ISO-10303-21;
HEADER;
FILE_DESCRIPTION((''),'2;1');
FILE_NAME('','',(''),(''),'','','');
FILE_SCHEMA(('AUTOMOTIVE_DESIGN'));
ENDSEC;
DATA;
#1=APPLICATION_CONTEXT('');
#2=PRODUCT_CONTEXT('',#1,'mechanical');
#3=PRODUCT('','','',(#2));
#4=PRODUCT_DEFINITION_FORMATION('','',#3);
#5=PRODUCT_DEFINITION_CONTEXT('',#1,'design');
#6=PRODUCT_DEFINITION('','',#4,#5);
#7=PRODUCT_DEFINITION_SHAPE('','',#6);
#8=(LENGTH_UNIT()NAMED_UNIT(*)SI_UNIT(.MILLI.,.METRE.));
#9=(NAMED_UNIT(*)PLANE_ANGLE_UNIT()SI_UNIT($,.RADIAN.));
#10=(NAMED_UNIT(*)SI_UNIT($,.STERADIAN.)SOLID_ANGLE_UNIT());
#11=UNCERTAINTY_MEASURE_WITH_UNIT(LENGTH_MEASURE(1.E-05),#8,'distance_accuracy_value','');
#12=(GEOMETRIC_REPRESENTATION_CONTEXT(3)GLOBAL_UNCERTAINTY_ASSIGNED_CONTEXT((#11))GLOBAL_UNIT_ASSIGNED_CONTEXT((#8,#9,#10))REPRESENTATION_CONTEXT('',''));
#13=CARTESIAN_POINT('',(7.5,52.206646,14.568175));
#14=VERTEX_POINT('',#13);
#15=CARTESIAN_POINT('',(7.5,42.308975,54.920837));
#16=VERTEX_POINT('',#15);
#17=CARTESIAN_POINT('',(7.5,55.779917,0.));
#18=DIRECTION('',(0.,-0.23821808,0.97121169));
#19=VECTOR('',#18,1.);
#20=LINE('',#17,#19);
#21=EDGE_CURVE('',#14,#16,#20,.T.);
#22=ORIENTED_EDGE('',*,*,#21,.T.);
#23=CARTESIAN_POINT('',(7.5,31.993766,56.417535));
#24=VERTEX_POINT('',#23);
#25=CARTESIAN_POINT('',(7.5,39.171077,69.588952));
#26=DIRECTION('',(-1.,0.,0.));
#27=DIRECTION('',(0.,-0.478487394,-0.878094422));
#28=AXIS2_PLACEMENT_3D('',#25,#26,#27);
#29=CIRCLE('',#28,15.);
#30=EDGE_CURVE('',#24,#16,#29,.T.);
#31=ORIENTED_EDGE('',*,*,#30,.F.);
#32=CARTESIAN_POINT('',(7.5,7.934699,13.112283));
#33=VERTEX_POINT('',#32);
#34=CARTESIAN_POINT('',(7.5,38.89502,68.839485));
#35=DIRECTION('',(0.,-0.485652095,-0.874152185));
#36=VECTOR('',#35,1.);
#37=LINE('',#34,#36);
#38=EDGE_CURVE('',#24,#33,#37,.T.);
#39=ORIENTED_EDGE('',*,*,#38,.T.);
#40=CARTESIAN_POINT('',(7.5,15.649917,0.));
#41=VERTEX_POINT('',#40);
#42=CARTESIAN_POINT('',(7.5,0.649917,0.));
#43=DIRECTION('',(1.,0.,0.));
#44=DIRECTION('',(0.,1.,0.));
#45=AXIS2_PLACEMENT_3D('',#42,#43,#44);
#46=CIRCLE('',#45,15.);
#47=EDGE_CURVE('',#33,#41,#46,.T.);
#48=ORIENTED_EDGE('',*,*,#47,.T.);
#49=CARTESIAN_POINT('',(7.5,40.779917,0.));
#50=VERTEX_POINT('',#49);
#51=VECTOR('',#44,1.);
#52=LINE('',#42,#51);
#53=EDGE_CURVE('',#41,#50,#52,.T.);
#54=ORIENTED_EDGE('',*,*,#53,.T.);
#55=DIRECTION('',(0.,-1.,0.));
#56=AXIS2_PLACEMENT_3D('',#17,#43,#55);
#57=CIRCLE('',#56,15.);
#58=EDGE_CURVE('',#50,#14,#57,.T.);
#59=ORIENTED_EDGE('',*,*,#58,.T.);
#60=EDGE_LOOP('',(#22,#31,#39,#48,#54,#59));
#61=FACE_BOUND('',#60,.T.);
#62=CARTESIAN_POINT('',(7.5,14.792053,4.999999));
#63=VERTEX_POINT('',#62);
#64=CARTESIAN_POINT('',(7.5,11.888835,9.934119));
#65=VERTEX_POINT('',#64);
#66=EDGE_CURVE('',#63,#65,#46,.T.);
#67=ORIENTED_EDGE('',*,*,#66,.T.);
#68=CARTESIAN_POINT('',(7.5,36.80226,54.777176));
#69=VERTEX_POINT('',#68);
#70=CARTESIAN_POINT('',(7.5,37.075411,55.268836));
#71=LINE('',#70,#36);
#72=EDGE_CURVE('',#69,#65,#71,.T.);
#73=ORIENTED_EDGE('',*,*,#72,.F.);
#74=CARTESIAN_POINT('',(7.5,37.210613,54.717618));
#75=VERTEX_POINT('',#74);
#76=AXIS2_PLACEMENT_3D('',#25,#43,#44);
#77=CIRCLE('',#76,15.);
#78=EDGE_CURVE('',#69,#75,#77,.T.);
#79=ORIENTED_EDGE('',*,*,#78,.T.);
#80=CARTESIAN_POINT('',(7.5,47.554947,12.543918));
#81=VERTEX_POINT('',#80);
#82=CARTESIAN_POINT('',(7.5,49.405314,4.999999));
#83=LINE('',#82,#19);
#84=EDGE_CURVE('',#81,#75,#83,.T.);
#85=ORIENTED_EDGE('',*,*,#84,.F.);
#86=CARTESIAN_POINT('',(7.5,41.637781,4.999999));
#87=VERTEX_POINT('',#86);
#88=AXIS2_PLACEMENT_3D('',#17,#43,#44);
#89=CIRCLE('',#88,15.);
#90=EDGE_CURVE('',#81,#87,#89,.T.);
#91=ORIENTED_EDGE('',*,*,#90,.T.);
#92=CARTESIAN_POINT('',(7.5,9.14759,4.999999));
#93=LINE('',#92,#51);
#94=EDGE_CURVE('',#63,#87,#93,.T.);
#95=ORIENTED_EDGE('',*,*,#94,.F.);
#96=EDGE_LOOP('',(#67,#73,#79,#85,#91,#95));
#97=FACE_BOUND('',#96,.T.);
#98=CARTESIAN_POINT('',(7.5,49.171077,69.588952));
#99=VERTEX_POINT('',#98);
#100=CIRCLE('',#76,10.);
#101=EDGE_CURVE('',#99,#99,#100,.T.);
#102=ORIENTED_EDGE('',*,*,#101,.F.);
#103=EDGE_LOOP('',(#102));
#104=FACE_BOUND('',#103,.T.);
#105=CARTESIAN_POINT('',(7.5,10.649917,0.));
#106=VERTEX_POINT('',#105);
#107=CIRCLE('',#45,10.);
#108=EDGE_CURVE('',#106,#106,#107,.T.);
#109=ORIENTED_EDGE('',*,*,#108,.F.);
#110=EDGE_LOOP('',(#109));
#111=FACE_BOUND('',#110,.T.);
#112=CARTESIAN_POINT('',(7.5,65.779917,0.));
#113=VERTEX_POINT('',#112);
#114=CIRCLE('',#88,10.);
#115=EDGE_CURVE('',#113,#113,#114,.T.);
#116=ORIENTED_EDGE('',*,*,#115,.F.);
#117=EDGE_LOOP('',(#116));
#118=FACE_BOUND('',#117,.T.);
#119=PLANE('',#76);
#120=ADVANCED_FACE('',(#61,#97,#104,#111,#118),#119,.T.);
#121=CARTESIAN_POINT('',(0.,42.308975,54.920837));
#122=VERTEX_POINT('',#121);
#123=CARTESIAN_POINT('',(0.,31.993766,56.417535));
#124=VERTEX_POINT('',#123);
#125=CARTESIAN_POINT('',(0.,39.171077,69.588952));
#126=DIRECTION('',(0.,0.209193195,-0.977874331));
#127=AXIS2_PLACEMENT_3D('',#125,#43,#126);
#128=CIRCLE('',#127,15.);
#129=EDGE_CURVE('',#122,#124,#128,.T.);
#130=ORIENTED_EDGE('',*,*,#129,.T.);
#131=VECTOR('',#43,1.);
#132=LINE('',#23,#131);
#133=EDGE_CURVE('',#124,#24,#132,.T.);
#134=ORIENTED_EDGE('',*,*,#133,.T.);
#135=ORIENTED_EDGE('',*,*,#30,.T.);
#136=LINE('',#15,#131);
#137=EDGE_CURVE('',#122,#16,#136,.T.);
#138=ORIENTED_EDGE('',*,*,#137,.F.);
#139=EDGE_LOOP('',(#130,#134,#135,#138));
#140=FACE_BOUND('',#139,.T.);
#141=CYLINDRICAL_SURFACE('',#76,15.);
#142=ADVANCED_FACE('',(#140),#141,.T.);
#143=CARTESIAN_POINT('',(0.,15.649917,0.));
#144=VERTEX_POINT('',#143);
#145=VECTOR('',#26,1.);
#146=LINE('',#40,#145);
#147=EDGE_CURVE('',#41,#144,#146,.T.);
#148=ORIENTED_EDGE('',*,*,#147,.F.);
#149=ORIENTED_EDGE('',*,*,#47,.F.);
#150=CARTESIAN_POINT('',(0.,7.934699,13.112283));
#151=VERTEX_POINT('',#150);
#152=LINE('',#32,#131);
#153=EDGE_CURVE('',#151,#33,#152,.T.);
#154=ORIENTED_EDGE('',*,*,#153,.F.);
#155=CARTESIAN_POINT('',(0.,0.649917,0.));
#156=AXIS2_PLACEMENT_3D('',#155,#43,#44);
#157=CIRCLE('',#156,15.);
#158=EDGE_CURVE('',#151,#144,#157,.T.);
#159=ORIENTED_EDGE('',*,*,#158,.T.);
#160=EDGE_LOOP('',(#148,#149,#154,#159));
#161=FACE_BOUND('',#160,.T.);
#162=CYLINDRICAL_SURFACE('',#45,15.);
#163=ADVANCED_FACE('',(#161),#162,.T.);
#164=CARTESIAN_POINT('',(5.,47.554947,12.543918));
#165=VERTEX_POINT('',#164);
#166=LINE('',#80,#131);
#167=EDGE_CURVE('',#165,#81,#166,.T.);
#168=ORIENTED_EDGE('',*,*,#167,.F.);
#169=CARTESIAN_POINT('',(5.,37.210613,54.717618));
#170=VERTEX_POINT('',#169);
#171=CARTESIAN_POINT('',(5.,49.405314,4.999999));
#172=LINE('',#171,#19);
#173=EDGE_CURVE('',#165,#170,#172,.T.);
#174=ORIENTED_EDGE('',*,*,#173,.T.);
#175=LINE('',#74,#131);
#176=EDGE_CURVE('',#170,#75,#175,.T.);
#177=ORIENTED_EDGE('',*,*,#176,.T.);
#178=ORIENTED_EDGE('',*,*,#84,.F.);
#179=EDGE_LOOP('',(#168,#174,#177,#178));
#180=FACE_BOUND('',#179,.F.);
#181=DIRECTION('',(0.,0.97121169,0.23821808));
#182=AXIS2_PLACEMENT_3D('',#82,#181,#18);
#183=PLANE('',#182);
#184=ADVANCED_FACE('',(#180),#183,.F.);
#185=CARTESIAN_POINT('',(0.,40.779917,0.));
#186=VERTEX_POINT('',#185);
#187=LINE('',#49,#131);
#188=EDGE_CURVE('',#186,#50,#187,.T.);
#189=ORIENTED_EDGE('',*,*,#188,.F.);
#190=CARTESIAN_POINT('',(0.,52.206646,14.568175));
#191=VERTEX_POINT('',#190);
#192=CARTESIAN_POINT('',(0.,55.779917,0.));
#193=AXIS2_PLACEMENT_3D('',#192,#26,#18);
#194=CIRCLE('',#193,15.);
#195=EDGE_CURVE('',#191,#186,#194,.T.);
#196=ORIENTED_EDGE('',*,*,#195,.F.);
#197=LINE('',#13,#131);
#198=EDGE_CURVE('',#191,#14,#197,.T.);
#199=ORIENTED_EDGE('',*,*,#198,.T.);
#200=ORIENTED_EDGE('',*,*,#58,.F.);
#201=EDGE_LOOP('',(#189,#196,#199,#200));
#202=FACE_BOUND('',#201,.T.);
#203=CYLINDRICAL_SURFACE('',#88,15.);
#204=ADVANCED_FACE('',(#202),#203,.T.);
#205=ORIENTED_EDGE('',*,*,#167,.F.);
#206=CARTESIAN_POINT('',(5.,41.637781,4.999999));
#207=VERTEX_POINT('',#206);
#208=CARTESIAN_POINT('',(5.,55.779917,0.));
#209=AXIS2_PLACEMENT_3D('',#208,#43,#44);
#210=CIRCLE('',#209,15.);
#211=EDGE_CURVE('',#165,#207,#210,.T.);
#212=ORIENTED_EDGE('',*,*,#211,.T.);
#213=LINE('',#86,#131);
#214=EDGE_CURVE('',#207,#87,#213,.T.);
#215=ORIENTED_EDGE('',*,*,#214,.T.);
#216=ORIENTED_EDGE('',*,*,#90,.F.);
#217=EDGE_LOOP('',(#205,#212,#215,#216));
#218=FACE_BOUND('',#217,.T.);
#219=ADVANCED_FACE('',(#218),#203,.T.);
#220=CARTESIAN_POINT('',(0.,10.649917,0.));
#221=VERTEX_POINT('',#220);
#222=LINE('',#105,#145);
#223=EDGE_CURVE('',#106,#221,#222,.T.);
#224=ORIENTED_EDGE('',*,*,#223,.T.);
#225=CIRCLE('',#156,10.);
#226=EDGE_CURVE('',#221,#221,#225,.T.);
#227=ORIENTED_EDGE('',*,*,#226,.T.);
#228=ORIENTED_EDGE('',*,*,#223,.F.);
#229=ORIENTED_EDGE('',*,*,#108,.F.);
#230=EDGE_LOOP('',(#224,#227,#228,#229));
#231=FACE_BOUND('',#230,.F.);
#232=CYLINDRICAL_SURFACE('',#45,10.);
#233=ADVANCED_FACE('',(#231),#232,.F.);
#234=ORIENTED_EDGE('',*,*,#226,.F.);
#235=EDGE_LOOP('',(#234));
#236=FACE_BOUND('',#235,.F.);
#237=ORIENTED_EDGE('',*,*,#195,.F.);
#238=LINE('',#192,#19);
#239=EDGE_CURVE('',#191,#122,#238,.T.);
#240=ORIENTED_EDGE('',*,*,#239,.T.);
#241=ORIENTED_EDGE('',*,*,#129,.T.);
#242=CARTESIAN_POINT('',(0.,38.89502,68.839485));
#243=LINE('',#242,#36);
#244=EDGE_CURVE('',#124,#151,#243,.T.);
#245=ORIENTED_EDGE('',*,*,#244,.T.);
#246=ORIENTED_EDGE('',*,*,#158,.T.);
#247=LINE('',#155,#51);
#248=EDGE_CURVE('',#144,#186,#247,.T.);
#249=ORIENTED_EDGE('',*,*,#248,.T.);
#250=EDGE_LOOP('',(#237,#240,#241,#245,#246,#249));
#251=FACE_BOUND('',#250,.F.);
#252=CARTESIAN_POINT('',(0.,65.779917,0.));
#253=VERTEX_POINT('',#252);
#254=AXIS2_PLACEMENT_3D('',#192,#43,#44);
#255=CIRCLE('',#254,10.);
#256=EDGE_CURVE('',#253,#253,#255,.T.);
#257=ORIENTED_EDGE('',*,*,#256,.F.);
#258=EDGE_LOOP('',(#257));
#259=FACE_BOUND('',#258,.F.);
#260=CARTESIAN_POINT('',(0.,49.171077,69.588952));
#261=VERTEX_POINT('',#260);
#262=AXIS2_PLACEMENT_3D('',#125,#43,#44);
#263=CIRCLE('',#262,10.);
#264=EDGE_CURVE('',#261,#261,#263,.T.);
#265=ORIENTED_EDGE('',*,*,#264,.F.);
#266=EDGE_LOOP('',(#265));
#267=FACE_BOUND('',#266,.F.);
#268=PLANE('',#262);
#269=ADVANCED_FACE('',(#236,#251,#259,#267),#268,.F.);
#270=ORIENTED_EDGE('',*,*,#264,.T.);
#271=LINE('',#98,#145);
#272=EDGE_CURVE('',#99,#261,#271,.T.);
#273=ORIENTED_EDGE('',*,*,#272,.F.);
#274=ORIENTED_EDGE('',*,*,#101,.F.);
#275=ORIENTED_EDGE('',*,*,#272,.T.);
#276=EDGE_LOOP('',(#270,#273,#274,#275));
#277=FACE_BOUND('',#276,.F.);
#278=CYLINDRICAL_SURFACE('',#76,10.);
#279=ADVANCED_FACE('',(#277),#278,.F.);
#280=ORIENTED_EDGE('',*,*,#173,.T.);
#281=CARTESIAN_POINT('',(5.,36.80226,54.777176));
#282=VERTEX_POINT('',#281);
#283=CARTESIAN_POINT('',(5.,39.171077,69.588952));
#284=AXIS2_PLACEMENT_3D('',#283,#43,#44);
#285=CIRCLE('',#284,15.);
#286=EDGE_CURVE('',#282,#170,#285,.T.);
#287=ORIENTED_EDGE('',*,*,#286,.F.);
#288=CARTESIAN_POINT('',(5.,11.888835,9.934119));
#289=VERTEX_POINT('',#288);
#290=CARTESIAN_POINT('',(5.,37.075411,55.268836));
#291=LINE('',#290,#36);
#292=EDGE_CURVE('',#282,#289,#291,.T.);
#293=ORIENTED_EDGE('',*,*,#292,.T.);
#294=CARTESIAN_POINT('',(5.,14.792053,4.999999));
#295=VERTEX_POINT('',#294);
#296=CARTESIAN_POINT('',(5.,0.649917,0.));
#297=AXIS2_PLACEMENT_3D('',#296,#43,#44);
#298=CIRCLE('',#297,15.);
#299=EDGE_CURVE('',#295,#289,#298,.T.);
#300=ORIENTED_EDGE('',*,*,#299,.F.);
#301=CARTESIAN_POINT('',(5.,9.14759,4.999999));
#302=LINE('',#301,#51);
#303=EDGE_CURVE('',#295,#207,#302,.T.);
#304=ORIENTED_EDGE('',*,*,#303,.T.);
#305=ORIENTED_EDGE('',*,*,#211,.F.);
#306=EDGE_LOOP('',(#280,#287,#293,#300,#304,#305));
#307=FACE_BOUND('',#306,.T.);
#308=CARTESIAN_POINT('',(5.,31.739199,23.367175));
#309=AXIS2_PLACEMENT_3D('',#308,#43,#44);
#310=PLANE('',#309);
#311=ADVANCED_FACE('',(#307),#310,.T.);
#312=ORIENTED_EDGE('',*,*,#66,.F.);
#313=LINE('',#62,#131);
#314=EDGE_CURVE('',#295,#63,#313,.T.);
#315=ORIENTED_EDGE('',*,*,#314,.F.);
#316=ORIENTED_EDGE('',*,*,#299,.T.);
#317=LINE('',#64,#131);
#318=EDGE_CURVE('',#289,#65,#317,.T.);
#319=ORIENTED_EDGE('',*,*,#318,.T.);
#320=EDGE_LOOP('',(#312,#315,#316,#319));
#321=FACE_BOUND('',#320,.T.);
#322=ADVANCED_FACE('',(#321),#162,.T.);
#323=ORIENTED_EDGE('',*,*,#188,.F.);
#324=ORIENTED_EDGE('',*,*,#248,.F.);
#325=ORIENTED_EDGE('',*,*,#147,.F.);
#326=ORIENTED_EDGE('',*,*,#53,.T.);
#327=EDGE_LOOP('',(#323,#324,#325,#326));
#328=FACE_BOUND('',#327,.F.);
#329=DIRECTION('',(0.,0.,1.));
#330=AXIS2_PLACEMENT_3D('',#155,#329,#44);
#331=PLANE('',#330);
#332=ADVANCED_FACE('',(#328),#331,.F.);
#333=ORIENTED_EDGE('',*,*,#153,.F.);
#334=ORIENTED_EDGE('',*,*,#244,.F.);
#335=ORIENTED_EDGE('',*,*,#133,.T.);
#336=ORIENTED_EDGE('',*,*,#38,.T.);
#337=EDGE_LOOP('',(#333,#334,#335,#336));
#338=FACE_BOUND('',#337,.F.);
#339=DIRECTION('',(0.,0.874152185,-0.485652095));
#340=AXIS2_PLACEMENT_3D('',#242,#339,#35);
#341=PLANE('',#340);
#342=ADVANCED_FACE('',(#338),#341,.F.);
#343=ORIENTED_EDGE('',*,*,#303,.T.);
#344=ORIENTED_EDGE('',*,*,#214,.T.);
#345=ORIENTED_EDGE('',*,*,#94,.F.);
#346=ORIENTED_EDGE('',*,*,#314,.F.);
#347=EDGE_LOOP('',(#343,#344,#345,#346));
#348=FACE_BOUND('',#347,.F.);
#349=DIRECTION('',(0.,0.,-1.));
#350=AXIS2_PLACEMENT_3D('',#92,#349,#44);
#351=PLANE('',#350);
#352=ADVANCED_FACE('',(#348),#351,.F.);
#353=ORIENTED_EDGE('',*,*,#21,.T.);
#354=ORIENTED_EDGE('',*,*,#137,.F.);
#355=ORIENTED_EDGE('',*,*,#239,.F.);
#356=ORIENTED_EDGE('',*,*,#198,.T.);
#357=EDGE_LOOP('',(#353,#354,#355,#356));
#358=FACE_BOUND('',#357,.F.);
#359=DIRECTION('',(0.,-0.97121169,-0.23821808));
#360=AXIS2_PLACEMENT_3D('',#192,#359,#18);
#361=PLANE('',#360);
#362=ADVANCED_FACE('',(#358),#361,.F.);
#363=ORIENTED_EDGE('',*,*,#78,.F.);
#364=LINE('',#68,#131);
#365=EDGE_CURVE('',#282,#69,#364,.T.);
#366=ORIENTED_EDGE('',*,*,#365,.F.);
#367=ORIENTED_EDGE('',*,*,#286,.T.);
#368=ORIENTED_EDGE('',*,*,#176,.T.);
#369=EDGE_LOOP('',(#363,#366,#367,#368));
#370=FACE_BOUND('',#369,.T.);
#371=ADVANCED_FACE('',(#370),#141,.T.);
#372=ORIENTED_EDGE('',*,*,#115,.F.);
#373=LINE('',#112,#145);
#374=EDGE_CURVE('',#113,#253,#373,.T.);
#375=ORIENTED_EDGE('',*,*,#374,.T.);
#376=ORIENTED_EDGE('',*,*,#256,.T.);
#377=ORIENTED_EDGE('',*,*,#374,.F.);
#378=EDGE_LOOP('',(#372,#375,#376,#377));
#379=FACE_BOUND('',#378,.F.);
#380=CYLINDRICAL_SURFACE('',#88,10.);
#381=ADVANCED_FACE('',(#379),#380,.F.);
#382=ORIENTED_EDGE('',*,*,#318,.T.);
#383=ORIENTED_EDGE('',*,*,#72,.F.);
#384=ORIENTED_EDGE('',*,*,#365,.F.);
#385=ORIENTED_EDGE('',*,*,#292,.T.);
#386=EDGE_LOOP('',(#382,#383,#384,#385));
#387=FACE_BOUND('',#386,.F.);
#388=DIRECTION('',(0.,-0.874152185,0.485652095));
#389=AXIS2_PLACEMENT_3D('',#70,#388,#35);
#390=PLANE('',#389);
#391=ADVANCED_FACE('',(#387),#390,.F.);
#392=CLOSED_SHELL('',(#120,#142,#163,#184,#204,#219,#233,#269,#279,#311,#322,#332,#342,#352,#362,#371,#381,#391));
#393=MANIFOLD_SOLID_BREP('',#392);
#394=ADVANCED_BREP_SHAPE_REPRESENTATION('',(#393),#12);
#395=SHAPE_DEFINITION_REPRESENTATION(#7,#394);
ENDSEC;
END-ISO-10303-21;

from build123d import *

# Parameters (mm, degrees)
F1_DEPTH = 7.5
F4_DEPTH = 2.5
F5_R     = 15
F6_DEPTH = 7.5
F7_R     = 10
F8_DEPTH = 25


with BuildPart() as f1:
    # F0 (on Right) → F1 (new body)
    with BuildSketch(Plane.YZ):
        Polygon((38.8950196707, 68.8394845703), (0.6499171856, 0), (55.7799171856, 0), align=None)
    extrude(amount=F1_DEPTH)

    # F3 (on offset) → F4 (cut)
    with BuildSketch(Plane.YZ.offset(7.5)):
        Polygon((49.4053139018, 4.9999990523), (37.0754110185, 55.2688359545), (9.1475897815, 4.9999990523), align=None)
    extrude(amount=-F4_DEPTH, mode=Mode.SUBTRACT)

    # F5 (on offset) → F6 (join)
    with BuildSketch(Plane.YZ.offset(7.5)):
        with Locations((39.171077311, 69.5889517665)):
            Circle(F5_R)
        with Locations((55.7799171856, 0)):
            Circle(F5_R)
        with Locations((0.6499171856, 0)):
            Circle(F5_R)
    extrude(amount=-F6_DEPTH)

    # F7 (on offset) → F8 (cut)
    with BuildSketch(Plane.YZ.offset(7.5)):
        with Locations((0.6499171856, 0)):
            Circle(F7_R)
        with Locations((55.7799171856, 0)):
            Circle(F7_R)
        with Locations((39.171077311, 69.5889517665)):
            Circle(F7_R)
    extrude(amount=-F8_DEPTH, mode=Mode.SUBTRACT)


solid = f1.part
